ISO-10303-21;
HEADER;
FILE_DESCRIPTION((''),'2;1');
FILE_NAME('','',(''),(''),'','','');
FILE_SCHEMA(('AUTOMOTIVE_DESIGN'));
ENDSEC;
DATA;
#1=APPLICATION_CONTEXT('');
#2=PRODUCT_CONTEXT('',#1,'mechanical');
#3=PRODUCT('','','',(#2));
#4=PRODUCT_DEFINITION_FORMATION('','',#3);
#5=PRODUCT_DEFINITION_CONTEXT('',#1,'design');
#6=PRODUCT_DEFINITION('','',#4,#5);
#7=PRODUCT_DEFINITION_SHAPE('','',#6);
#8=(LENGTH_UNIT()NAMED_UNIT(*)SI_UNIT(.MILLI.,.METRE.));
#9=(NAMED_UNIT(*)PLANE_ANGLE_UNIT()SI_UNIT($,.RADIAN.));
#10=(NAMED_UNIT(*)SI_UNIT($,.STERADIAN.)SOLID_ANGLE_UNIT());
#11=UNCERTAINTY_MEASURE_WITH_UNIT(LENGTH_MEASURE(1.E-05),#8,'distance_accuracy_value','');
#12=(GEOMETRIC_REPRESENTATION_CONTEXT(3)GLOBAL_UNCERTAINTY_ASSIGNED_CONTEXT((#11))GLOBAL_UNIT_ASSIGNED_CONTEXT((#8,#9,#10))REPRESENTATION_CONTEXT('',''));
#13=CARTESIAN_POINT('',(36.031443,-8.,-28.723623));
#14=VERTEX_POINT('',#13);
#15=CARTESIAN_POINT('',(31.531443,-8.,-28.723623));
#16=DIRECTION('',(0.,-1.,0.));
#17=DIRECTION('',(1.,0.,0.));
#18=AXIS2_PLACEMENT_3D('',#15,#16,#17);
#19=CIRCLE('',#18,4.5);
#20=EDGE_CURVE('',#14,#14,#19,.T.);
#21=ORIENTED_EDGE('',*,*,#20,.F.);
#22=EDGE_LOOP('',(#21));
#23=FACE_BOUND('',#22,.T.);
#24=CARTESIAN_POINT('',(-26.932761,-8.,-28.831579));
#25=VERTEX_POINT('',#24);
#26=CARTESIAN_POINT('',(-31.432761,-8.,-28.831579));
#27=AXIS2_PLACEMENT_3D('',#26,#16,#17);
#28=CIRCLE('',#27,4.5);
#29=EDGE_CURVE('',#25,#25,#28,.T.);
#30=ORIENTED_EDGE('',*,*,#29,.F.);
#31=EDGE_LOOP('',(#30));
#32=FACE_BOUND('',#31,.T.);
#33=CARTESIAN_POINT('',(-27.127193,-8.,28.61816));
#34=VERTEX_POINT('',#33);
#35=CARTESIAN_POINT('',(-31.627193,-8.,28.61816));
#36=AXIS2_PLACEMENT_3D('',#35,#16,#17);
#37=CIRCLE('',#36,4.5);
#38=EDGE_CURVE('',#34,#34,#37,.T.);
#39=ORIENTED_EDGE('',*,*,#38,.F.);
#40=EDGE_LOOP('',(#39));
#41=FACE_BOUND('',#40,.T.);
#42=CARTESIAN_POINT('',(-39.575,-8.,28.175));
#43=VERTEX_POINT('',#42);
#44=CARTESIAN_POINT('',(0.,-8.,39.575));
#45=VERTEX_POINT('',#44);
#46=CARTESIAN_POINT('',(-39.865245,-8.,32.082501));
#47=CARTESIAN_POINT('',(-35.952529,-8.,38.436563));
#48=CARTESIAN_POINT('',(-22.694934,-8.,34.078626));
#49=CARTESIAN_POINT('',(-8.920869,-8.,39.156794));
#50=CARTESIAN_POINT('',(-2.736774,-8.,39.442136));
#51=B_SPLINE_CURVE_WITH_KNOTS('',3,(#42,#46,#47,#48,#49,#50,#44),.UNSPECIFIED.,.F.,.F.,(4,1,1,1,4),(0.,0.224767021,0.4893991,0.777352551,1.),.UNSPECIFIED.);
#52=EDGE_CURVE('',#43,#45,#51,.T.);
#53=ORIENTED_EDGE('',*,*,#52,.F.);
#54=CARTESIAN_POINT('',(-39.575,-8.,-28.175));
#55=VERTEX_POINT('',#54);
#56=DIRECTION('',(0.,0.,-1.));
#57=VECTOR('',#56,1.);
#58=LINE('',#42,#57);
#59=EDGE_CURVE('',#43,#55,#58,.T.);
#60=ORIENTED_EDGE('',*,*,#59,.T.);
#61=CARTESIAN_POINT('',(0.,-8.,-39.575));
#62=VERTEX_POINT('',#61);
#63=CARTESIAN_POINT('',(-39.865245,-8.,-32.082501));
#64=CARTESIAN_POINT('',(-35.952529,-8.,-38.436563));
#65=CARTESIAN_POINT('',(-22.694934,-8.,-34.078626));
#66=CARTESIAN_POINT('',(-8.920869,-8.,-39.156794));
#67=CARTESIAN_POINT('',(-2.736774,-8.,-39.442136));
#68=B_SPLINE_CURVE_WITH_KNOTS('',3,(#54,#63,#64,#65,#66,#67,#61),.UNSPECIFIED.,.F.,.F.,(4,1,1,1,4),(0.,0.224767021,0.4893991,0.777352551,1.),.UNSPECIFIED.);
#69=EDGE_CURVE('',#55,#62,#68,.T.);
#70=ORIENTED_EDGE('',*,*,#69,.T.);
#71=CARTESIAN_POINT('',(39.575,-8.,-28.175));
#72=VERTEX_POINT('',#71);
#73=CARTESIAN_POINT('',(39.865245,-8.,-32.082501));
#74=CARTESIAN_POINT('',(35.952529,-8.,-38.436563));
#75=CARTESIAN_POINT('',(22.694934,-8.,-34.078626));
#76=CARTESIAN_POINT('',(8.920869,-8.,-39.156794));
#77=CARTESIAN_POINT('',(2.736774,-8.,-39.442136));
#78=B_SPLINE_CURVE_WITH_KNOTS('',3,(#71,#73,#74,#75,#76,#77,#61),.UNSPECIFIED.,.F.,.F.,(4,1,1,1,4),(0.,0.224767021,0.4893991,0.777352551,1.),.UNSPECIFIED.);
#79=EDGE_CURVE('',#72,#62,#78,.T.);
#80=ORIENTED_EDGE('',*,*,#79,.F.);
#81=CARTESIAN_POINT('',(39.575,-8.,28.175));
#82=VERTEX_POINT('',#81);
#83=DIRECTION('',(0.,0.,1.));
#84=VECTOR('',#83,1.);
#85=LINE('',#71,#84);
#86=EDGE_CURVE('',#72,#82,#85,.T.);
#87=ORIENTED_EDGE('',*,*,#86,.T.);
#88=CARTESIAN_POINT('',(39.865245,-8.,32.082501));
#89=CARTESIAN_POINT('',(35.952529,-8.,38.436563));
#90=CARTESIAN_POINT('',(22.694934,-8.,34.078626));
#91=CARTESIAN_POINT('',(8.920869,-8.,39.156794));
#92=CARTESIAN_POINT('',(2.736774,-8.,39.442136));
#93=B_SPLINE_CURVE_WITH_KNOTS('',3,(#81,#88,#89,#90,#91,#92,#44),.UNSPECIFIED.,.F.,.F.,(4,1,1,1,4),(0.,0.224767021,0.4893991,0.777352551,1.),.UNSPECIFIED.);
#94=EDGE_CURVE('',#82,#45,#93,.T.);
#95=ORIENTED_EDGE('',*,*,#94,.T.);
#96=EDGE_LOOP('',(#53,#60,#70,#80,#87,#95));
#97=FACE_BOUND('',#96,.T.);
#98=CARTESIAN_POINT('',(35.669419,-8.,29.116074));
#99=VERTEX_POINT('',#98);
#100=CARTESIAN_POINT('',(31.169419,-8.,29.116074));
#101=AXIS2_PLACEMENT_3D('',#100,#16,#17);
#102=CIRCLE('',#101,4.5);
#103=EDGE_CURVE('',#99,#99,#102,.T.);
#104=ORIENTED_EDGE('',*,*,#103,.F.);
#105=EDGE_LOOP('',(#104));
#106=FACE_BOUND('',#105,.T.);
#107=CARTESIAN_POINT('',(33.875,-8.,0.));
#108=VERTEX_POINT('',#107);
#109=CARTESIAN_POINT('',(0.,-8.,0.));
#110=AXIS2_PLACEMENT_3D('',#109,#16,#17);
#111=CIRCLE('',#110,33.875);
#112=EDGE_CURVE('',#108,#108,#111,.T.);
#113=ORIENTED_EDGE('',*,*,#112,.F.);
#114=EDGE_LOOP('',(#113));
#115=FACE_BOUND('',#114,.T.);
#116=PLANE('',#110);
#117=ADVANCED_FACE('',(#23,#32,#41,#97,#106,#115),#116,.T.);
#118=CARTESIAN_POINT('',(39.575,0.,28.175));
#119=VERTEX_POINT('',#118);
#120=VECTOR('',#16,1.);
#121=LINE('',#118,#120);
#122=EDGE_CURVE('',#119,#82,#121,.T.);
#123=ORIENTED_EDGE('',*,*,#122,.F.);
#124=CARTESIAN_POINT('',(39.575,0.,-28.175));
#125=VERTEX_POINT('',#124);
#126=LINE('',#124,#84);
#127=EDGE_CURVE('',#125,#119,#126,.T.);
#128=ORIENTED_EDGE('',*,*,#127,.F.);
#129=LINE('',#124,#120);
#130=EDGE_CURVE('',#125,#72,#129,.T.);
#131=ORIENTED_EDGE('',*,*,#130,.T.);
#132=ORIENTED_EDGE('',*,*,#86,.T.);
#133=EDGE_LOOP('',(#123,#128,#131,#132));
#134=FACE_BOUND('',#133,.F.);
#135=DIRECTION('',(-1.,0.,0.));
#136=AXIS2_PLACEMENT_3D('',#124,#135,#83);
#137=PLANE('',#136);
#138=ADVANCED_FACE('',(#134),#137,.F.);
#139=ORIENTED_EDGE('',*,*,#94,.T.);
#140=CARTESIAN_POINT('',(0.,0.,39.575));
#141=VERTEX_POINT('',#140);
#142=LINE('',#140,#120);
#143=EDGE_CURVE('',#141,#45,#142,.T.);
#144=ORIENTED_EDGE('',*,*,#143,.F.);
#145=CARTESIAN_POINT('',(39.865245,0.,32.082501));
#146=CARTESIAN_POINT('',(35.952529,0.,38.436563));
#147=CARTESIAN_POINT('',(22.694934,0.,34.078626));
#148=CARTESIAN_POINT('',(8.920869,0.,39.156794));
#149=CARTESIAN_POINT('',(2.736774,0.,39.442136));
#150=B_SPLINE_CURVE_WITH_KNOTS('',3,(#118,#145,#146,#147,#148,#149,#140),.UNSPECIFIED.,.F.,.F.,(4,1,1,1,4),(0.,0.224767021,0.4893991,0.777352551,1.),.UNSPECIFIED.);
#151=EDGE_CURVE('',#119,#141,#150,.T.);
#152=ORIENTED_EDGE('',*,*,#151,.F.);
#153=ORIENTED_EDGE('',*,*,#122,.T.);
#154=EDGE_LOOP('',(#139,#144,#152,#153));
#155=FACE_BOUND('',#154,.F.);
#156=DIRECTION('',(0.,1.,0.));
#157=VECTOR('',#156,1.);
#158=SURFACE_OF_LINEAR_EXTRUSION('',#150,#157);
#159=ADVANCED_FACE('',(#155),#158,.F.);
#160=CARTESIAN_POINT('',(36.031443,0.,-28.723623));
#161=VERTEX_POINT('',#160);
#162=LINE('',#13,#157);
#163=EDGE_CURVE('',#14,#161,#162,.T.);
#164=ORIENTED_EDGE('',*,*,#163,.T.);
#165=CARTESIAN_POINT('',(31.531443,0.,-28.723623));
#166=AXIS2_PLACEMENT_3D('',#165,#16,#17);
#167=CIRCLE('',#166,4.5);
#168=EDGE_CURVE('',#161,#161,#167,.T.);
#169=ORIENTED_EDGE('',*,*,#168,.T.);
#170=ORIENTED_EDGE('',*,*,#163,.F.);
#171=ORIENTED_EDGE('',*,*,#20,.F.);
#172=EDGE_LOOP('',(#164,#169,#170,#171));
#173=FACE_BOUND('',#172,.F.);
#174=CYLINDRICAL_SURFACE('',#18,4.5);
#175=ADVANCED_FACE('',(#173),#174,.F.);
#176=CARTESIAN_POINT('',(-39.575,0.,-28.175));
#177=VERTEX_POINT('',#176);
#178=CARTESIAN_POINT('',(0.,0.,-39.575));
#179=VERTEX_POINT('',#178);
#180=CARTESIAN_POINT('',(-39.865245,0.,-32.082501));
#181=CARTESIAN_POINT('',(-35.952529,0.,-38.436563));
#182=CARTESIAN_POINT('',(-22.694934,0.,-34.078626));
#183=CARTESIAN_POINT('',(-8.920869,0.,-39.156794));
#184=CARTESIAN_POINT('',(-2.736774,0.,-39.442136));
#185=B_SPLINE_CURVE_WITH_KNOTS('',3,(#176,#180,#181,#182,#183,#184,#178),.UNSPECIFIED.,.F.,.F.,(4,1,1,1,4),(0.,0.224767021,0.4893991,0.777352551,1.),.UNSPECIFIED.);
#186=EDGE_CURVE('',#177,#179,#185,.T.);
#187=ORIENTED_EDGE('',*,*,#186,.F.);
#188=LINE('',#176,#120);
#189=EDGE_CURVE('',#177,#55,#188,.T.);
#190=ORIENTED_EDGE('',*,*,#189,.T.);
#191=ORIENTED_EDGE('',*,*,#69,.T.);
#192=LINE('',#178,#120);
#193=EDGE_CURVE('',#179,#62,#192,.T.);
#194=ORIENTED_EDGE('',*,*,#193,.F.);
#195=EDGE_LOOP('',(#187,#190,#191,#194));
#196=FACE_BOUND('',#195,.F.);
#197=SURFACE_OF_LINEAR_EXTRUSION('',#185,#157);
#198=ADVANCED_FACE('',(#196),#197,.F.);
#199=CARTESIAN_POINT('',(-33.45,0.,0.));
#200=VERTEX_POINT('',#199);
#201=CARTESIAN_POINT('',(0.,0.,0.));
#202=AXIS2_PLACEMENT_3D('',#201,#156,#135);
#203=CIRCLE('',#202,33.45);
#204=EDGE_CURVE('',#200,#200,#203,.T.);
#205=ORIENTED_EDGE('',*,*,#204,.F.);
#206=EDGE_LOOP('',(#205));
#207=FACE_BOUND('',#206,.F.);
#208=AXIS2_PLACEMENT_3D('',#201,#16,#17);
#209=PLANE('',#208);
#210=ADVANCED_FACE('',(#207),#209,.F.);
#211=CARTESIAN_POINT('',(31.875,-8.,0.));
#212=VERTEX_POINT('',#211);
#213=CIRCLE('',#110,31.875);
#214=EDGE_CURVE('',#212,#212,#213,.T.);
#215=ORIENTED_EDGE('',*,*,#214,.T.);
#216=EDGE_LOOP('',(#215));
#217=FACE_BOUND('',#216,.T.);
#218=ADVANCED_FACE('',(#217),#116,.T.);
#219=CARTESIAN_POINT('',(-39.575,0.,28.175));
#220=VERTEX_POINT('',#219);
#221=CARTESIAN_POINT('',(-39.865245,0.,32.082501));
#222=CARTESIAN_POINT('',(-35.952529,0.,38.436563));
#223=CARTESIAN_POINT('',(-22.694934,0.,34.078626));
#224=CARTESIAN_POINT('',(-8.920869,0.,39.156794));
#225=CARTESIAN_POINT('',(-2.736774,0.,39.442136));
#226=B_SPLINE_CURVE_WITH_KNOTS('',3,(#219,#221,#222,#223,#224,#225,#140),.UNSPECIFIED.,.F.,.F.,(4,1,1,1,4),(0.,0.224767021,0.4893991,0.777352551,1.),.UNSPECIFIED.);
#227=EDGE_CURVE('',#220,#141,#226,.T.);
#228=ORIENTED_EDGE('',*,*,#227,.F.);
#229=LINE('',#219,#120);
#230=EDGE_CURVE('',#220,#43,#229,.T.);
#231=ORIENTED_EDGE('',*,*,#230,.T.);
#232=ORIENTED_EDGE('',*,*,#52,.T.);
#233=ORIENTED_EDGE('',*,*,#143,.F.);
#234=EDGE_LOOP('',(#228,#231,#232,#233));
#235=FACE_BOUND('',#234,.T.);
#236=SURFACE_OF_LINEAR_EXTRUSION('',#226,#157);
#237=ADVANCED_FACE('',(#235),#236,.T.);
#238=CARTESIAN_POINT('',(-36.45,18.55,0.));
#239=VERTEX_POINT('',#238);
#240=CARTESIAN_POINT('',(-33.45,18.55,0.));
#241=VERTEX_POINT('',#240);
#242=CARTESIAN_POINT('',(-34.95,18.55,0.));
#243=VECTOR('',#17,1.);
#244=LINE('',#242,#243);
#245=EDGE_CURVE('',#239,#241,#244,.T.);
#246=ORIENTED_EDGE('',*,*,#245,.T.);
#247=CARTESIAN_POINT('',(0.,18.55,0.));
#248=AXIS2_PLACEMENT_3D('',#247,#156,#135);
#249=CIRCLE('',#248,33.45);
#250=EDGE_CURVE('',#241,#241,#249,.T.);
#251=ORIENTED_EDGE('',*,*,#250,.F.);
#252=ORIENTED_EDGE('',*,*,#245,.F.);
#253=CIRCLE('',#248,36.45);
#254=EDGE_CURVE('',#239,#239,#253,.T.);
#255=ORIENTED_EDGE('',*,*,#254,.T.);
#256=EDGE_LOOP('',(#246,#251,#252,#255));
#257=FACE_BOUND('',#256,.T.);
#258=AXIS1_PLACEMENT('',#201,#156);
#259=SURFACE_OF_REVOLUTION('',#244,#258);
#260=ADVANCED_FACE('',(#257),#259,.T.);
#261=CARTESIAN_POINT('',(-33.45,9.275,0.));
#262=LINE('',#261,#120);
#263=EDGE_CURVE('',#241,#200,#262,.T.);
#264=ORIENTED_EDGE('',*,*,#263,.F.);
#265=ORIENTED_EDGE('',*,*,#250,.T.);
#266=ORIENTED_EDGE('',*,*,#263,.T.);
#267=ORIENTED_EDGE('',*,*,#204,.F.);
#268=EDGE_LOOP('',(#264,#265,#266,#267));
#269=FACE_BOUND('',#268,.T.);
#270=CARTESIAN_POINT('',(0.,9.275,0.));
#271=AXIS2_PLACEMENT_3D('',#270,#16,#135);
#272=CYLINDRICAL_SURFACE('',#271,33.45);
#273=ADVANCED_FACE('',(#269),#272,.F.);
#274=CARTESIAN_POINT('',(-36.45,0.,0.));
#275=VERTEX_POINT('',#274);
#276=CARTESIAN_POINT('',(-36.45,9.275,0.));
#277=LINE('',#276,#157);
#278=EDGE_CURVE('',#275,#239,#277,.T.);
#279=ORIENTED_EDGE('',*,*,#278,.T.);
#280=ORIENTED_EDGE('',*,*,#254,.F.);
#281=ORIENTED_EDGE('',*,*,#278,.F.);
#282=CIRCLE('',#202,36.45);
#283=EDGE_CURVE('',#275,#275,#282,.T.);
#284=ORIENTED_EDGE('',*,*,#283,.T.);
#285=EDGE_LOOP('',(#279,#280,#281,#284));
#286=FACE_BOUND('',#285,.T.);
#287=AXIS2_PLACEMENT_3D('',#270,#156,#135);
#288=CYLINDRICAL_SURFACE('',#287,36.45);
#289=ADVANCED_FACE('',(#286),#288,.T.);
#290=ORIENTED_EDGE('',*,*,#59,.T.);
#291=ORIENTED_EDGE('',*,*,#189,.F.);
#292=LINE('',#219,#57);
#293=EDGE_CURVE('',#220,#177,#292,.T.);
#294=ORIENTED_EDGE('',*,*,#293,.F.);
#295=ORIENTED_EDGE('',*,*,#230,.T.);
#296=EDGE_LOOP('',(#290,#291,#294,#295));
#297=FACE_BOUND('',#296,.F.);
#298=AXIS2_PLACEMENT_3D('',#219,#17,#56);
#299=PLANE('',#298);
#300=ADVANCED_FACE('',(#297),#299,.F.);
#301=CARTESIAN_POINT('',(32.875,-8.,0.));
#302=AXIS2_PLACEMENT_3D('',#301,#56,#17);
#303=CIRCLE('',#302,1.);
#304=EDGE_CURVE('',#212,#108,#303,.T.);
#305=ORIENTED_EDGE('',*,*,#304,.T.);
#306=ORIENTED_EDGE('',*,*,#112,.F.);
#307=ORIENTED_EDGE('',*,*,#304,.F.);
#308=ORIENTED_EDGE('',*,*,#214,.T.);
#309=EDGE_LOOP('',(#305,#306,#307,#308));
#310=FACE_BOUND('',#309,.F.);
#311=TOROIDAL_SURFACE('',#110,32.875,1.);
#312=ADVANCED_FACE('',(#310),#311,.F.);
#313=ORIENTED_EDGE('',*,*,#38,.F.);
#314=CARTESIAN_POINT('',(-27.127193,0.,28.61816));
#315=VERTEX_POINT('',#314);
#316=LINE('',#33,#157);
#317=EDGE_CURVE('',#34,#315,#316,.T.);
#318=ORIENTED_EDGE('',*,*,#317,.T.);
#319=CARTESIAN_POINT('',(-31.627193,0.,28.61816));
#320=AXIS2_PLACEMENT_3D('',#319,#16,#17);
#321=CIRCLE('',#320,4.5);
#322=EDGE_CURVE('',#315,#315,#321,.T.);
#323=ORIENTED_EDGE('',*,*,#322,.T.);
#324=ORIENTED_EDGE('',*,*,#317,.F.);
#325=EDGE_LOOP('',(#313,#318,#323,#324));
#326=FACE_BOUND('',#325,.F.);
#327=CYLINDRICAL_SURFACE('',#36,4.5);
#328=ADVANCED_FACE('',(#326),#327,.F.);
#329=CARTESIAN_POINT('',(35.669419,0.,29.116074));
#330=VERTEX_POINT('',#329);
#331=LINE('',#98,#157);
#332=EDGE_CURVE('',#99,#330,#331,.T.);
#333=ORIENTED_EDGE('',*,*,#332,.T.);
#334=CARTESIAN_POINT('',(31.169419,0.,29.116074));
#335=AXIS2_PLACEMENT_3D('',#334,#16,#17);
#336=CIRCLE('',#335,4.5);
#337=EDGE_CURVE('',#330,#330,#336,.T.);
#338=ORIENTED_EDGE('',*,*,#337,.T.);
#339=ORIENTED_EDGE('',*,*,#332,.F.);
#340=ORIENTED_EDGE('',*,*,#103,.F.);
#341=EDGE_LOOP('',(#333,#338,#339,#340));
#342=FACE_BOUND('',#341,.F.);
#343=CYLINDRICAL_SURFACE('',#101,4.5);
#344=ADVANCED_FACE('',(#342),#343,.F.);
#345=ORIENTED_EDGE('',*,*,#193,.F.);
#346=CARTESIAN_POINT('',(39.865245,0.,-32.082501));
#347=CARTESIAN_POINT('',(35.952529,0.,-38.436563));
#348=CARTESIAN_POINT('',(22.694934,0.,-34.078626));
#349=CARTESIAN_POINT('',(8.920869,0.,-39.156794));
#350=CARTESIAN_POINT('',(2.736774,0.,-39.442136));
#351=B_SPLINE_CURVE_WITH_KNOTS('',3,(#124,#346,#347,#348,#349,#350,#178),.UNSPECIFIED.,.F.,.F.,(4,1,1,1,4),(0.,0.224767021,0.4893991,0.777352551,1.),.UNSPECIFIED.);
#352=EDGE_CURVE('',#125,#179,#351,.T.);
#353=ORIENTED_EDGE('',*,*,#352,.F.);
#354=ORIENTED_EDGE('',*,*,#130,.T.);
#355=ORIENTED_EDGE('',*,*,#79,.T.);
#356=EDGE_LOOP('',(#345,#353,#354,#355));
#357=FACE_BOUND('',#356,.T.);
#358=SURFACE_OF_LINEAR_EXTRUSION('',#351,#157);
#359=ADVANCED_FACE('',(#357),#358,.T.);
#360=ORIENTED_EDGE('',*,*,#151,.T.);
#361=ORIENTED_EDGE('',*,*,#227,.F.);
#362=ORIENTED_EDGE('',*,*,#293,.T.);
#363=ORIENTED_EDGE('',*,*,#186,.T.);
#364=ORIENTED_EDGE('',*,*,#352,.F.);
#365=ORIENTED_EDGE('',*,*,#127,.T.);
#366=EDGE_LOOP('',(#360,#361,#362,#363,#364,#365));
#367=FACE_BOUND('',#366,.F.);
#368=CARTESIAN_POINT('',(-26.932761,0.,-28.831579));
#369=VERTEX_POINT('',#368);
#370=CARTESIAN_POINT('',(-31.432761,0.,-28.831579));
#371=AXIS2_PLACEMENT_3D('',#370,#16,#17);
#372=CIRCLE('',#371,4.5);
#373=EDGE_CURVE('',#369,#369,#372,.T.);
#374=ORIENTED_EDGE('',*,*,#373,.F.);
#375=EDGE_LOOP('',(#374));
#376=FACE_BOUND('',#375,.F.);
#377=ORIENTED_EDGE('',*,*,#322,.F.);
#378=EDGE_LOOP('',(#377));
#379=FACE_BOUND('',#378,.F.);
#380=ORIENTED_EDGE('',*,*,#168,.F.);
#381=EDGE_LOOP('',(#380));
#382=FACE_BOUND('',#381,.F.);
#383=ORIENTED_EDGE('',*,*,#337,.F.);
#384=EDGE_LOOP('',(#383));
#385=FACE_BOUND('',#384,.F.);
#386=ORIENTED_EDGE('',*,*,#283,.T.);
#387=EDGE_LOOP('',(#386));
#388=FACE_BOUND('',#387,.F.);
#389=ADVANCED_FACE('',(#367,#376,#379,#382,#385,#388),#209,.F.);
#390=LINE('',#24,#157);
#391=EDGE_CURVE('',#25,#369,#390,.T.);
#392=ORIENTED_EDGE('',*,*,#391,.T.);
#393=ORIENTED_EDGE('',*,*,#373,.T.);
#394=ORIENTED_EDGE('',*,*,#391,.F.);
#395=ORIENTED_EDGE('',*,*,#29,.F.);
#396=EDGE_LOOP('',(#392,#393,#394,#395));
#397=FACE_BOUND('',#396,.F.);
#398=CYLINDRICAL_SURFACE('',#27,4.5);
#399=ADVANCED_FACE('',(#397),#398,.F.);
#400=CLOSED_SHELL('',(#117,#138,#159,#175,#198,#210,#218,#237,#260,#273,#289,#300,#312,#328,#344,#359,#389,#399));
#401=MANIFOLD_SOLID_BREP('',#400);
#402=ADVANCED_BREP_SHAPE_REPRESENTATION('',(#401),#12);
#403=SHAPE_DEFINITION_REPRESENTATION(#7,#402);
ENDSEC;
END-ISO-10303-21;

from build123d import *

# Parameters (mm, degrees)
F1_DEPTH = 8
F2_R     = 4.5
F3_DEPTH = 8
F6_R     = 1
F8_W     = 3
F8_H     = 18.55


with BuildPart() as f1:
    # F0 (on Front) → F1 (new body)
    with BuildSketch(Plane.XZ):
        with BuildLine():
            Line((-39.575, 28.175), (-39.575, 0))
            Line((-39.575, 0), (-39.575, -28.175))
            add(Edge.make_bspline(
                [(-39.575, -28.175), (-39.8652448061, -32.0825006212), (-35.9525292205, -38.4365629841), (-22.6949341127, -34.0786260822), (-8.920869255, -39.156793634), (-2.73677378, -39.4421363997), (0, -39.575)],
                knots=[0, 0, 0, 0, 0.2247670207, 0.4893991001, 0.7773525509, 1, 1, 1, 1], degree=3))
            add(Edge.make_bspline(
                [(39.575, -28.175), (39.8652448061, -32.0825006212), (35.9525292205, -38.4365629841), (22.6949341127, -34.0786260822), (8.920869255, -39.156793634), (2.73677378, -39.4421363997), (0, -39.575)],
                knots=[0, 0, 0, 0, 0.2247670207, 0.4893991001, 0.7773525509, 1, 1, 1, 1], degree=3))
            Line((39.575, -28.175), (39.575, 0))
            Line((39.575, 0), (39.575, 28.175))
            add(Edge.make_bspline(
                [(39.575, 28.175), (39.8652448061, 32.0825006212), (35.9525292205, 38.4365629841), (22.6949341127, 34.0786260822), (8.920869255, 39.156793634), (2.73677378, 39.4421363997), (0, 39.575)],
                knots=[0, 0, 0, 0, 0.2247670207, 0.4893991001, 0.7773525509, 1, 1, 1, 1], degree=3))
            add(Edge.make_bspline(
                [(-39.575, 28.175), (-39.8652448061, 32.0825006212), (-35.9525292205, 38.4365629841), (-22.6949341127, 34.0786260822), (-8.920869255, 39.156793634), (-2.73677378, 39.4421363997), (0, 39.575)],
                knots=[0, 0, 0, 0, 0.2247670207, 0.4893991001, 0.7773525509, 1, 1, 1, 1], degree=3))
        make_face()
    extrude(amount=F1_DEPTH)

    # F2 (on face) → F3 (cut, through all)
    with BuildSketch(Plane.XZ.offset(8)):
        with Locations((-31.6271925499, 28.6181603254)):
            Circle(F2_R)
        with Locations((-31.4327607315, -28.8315792456)):
            Circle(F2_R)
        with Locations((31.5314427808, -28.7236231203)):
            Circle(F2_R)
        with Locations((31.1694185133, 29.1160738862)):
            Circle(F2_R)
    extrude(amount=-F3_DEPTH, mode=Mode.SUBTRACT)

    # F7: sweep along a path in F5
    with BuildLine(Plane.XZ.offset(8)) as f7_path:
        CenterArc((0, 0), 32.875, 0, 360)
    # F6 (on Top) → F7 (sweep, cut)
    with BuildSketch(Plane.XY):
        with Locations((32.875, -8)):
            Circle(F6_R)
    sweep(path=f7_path.line, mode=Mode.SUBTRACT)

    # F9: sweep along a path in F4
    with BuildLine(Plane(origin=(0, 0, 0), x_dir=(-1, 0, 0), z_dir=(0, 1, 0))) as f9_path:
        CenterArc((0, 0), 34.95, 0, 360)
    # F8 (on Top) → F9 (sweep)
    with BuildSketch(Plane.XY):
        with Locations((34.95, 9.275)):
            Rectangle(F8_W, F8_H)
    sweep(path=f9_path.line)


solid = f1.part
